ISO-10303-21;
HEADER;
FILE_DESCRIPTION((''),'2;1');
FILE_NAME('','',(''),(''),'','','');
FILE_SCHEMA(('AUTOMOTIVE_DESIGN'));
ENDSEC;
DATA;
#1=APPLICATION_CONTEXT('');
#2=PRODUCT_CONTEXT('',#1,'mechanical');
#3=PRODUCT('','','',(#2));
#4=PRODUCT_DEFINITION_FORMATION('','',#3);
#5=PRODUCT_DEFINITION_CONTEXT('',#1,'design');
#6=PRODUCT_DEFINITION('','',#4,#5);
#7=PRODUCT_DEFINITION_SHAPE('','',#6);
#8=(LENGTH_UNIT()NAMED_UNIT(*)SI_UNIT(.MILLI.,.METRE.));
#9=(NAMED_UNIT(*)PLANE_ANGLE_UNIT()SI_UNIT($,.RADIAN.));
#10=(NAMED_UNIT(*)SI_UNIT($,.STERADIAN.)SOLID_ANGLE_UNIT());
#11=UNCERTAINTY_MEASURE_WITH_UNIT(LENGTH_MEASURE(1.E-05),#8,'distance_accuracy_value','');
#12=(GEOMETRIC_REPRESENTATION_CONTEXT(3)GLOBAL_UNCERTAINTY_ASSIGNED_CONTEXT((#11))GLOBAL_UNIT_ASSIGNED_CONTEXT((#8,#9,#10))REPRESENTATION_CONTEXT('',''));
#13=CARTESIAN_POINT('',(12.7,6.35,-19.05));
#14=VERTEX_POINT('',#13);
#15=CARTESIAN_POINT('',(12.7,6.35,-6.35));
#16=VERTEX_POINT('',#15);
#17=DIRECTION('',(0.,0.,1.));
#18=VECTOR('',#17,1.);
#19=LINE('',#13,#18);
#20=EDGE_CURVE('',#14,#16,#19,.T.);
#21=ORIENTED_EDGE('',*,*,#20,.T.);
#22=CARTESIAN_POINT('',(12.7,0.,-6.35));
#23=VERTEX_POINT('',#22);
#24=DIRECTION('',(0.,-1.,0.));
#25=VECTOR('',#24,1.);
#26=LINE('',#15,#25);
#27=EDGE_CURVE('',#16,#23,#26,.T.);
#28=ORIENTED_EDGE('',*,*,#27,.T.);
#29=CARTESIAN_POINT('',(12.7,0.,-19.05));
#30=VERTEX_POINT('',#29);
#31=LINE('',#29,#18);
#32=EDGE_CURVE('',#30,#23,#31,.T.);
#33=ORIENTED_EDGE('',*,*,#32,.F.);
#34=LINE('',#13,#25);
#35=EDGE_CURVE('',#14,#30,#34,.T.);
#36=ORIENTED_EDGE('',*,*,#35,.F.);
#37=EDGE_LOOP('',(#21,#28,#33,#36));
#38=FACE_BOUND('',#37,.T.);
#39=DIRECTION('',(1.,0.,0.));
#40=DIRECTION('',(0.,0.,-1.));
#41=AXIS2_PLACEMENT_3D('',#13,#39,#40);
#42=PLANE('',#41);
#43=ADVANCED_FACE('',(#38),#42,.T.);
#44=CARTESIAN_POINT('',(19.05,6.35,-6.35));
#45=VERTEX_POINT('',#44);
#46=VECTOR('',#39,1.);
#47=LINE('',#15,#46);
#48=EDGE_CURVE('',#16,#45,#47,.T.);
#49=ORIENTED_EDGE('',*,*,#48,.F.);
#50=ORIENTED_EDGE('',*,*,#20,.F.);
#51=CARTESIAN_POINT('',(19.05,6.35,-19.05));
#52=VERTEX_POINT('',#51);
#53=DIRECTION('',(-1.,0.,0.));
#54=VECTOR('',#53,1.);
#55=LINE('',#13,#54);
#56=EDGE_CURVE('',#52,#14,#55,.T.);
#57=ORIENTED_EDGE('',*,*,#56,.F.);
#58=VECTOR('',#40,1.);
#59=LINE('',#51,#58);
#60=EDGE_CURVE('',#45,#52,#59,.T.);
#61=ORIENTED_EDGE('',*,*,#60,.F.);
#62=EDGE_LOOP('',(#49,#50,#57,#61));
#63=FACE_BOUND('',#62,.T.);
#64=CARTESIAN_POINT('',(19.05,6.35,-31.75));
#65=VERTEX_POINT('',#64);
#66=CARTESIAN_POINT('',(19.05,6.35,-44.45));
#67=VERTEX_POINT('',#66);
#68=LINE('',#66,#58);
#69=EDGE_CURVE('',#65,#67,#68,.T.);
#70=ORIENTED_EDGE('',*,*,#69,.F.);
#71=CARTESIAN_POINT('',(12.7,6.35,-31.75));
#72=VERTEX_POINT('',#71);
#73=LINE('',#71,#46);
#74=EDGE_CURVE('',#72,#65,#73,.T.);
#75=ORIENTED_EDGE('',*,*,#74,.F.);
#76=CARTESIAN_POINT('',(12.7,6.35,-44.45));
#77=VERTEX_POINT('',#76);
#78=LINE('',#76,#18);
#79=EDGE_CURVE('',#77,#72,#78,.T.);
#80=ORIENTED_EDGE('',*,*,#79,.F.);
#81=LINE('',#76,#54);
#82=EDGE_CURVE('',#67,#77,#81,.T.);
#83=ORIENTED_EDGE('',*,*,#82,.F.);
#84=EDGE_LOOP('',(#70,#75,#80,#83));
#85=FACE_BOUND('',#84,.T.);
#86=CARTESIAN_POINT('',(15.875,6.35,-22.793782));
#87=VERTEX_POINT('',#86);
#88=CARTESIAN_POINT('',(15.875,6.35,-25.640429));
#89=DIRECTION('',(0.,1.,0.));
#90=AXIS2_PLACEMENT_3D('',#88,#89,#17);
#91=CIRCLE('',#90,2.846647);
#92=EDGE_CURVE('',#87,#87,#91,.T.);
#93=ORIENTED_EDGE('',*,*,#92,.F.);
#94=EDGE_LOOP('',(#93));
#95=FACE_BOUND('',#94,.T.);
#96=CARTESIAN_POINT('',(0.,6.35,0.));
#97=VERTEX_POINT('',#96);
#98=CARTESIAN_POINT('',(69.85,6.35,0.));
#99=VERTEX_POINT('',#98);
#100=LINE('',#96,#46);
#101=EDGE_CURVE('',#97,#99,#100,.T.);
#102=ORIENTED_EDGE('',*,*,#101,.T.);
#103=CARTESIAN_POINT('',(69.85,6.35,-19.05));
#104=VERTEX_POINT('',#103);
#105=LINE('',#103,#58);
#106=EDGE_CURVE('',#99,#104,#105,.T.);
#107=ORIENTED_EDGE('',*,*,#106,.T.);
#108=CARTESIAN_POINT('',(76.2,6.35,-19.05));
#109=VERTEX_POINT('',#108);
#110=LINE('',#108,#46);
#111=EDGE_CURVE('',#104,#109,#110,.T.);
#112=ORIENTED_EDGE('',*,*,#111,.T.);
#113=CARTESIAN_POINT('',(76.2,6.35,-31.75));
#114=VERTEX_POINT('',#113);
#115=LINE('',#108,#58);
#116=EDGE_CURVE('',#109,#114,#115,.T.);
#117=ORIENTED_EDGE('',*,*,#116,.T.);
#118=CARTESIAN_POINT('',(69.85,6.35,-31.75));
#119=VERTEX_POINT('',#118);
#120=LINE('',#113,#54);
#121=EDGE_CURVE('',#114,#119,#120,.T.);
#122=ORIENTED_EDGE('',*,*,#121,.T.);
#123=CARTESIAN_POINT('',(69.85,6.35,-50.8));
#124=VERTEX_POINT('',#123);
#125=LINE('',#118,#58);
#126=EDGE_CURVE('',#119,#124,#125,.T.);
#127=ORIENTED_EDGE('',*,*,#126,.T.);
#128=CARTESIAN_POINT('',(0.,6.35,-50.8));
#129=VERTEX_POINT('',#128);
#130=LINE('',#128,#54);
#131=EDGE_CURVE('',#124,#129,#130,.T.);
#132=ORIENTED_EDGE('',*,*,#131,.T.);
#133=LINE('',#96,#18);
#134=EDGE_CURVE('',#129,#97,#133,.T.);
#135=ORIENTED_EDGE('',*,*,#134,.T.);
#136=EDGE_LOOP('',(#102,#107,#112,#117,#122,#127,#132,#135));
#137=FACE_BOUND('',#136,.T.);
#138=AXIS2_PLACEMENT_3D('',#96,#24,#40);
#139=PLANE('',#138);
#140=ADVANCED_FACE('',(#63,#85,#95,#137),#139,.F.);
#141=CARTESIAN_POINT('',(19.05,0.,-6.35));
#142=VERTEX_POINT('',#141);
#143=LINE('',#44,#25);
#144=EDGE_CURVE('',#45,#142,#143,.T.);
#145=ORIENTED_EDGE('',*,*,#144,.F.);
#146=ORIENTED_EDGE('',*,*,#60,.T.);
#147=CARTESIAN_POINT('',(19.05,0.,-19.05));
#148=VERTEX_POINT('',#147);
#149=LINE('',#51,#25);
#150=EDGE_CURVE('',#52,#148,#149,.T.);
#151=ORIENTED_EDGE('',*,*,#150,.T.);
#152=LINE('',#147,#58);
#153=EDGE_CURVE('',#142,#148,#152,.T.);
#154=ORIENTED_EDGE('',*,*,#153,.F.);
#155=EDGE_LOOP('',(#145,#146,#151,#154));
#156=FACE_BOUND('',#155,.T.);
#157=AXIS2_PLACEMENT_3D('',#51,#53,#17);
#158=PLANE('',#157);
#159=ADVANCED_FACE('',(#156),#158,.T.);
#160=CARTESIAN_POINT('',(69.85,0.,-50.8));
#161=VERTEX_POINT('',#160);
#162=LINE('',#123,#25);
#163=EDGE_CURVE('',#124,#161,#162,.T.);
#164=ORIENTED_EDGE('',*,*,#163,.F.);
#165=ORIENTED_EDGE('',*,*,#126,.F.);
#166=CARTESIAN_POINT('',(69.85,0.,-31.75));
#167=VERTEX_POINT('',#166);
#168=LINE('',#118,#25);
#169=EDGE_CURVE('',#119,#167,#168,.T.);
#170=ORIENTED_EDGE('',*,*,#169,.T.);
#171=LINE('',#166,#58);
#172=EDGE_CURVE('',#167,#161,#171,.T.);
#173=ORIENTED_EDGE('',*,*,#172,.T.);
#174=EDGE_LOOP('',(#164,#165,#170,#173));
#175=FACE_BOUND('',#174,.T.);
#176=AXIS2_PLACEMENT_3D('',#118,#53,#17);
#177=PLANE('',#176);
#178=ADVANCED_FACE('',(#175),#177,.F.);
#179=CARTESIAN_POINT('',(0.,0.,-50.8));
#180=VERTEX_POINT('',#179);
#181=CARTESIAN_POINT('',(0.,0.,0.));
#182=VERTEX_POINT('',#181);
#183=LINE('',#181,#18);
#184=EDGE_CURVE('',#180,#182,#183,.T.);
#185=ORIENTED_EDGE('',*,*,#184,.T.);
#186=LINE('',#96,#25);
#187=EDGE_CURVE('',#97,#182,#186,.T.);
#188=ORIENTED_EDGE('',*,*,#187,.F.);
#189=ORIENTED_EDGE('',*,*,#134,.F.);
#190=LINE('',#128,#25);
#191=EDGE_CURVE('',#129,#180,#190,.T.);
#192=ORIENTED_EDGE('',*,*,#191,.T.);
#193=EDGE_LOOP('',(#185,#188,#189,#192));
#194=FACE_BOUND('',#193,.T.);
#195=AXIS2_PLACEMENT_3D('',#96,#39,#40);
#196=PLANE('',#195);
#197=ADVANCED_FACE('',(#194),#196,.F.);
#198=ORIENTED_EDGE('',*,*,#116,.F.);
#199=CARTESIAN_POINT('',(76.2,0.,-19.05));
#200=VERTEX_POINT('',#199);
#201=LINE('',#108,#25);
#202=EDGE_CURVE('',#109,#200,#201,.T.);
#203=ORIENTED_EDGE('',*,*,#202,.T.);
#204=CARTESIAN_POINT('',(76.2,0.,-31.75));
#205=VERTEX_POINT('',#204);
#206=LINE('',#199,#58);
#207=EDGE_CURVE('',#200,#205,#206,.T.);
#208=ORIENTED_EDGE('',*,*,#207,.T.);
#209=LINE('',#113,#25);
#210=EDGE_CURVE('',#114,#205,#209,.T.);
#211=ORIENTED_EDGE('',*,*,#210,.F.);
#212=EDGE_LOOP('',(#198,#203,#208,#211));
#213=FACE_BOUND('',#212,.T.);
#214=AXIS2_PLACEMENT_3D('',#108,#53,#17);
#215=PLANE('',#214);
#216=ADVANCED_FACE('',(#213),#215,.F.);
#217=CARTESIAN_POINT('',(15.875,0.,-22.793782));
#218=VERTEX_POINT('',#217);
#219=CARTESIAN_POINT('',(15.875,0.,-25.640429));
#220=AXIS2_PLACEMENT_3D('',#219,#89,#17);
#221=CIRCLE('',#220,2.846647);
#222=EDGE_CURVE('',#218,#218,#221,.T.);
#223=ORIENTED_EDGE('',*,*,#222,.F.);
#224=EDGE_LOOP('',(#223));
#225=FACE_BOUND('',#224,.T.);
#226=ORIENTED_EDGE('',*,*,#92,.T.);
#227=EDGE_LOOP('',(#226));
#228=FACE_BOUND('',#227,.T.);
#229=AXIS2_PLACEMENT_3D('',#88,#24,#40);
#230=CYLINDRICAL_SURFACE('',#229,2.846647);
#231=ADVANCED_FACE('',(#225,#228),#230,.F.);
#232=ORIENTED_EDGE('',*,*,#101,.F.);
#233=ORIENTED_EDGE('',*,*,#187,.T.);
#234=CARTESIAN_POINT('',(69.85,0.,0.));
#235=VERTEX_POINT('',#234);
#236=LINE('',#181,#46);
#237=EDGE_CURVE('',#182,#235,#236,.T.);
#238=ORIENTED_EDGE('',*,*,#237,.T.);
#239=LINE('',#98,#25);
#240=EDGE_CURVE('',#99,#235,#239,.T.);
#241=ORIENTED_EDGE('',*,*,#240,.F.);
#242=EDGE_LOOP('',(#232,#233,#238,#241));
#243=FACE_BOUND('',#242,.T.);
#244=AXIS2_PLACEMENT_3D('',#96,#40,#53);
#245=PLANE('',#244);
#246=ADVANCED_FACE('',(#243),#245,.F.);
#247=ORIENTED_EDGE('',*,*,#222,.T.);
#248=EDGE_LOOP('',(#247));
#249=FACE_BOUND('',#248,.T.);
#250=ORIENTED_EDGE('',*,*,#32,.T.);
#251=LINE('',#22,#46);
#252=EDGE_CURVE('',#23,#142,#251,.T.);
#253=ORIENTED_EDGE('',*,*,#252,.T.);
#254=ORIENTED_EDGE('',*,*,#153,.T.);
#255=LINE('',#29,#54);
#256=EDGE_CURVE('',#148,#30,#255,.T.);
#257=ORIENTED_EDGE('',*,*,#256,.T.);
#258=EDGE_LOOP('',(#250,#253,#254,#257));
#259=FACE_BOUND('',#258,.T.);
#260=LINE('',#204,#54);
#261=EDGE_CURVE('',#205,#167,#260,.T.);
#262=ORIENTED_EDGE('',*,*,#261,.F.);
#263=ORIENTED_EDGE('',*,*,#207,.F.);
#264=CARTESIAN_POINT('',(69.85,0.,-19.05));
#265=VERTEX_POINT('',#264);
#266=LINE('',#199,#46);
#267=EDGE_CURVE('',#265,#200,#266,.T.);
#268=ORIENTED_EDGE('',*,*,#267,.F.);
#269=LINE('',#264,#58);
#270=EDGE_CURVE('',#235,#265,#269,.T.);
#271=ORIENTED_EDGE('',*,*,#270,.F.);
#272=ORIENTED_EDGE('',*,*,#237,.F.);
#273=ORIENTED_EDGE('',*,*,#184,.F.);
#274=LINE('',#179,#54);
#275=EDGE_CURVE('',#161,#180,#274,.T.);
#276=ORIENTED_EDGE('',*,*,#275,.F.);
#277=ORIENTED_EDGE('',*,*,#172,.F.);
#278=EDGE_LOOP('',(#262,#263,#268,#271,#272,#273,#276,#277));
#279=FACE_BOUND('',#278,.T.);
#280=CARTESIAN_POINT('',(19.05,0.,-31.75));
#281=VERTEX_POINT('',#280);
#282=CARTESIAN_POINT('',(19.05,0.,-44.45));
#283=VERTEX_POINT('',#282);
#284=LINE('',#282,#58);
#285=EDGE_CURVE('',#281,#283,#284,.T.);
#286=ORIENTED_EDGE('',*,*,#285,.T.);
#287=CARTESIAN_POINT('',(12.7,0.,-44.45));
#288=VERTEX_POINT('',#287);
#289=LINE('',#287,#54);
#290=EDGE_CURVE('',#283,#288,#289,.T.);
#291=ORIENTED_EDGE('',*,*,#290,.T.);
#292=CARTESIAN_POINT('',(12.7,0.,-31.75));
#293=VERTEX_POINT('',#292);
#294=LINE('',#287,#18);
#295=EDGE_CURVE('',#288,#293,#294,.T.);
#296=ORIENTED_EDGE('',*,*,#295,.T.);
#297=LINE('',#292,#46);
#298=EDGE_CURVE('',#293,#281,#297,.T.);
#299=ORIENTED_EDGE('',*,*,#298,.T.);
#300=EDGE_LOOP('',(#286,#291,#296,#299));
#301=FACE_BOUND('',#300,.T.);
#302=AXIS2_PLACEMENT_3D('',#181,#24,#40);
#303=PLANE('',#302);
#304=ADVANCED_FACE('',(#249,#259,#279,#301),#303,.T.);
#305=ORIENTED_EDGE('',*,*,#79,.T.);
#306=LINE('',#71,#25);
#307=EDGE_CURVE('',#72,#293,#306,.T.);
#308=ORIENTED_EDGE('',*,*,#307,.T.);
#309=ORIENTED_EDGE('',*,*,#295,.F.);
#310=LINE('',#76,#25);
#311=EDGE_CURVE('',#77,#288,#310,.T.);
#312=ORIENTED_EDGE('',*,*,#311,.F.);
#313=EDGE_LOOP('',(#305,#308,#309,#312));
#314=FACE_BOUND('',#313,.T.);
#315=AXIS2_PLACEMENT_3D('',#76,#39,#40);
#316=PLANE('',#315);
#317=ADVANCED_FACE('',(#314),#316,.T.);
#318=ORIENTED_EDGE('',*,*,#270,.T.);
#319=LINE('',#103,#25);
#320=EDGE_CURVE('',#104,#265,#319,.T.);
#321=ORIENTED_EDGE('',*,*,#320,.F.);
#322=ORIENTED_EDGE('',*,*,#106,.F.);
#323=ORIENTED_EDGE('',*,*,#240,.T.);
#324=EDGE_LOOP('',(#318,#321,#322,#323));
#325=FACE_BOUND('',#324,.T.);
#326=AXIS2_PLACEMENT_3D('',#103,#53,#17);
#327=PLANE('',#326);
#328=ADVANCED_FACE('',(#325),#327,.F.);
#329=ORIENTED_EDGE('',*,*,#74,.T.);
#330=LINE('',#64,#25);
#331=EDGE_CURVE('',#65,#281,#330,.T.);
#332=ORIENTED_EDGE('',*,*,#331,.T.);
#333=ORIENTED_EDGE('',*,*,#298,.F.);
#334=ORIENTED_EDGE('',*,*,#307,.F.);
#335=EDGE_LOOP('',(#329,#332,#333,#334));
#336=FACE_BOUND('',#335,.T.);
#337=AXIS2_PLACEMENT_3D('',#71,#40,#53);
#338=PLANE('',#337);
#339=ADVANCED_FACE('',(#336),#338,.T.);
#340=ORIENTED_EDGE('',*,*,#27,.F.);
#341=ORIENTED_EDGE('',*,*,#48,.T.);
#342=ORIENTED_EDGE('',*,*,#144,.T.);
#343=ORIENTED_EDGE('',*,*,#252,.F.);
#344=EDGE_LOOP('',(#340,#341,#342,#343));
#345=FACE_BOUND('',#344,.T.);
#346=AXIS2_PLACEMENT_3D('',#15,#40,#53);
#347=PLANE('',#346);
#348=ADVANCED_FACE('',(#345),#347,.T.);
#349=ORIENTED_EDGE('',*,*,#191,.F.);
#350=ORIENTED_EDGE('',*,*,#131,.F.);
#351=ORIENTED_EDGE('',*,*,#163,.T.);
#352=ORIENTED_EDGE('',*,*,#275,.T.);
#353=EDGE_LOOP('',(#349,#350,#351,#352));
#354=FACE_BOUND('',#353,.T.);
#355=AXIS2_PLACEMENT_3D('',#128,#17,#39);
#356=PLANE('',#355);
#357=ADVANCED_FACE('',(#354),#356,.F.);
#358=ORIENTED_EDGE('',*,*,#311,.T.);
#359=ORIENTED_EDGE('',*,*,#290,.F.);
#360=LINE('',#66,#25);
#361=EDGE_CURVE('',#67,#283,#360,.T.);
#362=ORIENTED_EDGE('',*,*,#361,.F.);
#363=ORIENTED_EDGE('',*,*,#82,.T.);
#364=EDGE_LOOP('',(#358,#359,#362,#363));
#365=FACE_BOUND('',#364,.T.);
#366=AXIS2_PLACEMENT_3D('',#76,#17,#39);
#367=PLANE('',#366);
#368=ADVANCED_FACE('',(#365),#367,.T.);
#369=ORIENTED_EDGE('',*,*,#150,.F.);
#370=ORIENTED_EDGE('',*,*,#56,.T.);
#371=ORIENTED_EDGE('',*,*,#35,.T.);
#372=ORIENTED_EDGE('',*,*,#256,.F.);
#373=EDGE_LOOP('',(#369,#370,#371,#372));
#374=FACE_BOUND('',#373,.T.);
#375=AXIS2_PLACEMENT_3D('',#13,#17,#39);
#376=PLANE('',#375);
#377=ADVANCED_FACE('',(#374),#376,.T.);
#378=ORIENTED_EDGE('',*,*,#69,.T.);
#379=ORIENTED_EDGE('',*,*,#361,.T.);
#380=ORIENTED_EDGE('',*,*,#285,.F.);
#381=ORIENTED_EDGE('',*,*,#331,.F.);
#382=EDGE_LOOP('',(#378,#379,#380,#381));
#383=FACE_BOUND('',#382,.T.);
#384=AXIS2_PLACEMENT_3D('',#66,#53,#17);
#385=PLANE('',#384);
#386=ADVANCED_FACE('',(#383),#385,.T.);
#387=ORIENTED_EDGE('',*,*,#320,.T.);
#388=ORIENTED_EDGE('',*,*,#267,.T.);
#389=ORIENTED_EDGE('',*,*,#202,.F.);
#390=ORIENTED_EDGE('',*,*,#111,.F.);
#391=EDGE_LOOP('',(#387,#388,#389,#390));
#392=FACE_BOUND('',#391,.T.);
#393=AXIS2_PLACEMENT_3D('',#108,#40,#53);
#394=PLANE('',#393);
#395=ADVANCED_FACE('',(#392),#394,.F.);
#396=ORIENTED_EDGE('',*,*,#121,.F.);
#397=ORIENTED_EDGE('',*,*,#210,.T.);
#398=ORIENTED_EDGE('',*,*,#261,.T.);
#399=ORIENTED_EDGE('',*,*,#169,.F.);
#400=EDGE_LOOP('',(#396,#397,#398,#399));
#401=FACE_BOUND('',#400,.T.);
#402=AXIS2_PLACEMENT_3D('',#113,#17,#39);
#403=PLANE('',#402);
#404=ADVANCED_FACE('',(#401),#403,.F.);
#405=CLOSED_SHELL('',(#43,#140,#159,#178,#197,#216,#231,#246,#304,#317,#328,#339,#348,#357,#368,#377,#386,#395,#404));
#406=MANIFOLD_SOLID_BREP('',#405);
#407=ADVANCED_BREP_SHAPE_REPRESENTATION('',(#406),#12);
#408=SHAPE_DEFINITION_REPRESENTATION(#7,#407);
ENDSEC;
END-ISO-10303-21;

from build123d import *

# Parameters (mm, degrees)
SKETCH1_R           = 2.846646533
SKETCH1_W           = 6.35
SKETCH1_H           = 12.7
BOSS_EXTRUDE1_DEPTH = 6.35


with BuildPart() as part:
    # Sketch1 → Boss-Extrude1 (new body)
    with BuildSketch(Plane(origin=(0, 0, 0), x_dir=(1, 0, 0), z_dir=(0, 1, 0))):
        Polygon((0, 0), (69.85, 0), (69.85, 19.05), (76.2, 19.05), (76.2, 31.75), (69.85, 31.75), (69.85, 50.8), (0, 50.8), align=None)
        with Locations((15.875, 25.640429005)):
            Circle(SKETCH1_R, mode=Mode.SUBTRACT)
        with Locations((15.875, 38.1)):
            Rectangle(SKETCH1_W, SKETCH1_H, mode=Mode.SUBTRACT)
        with Locations((15.875, 12.7)):
            Rectangle(SKETCH1_W, SKETCH1_H, mode=Mode.SUBTRACT)
    extrude(amount=BOSS_EXTRUDE1_DEPTH)


solid = part.part
